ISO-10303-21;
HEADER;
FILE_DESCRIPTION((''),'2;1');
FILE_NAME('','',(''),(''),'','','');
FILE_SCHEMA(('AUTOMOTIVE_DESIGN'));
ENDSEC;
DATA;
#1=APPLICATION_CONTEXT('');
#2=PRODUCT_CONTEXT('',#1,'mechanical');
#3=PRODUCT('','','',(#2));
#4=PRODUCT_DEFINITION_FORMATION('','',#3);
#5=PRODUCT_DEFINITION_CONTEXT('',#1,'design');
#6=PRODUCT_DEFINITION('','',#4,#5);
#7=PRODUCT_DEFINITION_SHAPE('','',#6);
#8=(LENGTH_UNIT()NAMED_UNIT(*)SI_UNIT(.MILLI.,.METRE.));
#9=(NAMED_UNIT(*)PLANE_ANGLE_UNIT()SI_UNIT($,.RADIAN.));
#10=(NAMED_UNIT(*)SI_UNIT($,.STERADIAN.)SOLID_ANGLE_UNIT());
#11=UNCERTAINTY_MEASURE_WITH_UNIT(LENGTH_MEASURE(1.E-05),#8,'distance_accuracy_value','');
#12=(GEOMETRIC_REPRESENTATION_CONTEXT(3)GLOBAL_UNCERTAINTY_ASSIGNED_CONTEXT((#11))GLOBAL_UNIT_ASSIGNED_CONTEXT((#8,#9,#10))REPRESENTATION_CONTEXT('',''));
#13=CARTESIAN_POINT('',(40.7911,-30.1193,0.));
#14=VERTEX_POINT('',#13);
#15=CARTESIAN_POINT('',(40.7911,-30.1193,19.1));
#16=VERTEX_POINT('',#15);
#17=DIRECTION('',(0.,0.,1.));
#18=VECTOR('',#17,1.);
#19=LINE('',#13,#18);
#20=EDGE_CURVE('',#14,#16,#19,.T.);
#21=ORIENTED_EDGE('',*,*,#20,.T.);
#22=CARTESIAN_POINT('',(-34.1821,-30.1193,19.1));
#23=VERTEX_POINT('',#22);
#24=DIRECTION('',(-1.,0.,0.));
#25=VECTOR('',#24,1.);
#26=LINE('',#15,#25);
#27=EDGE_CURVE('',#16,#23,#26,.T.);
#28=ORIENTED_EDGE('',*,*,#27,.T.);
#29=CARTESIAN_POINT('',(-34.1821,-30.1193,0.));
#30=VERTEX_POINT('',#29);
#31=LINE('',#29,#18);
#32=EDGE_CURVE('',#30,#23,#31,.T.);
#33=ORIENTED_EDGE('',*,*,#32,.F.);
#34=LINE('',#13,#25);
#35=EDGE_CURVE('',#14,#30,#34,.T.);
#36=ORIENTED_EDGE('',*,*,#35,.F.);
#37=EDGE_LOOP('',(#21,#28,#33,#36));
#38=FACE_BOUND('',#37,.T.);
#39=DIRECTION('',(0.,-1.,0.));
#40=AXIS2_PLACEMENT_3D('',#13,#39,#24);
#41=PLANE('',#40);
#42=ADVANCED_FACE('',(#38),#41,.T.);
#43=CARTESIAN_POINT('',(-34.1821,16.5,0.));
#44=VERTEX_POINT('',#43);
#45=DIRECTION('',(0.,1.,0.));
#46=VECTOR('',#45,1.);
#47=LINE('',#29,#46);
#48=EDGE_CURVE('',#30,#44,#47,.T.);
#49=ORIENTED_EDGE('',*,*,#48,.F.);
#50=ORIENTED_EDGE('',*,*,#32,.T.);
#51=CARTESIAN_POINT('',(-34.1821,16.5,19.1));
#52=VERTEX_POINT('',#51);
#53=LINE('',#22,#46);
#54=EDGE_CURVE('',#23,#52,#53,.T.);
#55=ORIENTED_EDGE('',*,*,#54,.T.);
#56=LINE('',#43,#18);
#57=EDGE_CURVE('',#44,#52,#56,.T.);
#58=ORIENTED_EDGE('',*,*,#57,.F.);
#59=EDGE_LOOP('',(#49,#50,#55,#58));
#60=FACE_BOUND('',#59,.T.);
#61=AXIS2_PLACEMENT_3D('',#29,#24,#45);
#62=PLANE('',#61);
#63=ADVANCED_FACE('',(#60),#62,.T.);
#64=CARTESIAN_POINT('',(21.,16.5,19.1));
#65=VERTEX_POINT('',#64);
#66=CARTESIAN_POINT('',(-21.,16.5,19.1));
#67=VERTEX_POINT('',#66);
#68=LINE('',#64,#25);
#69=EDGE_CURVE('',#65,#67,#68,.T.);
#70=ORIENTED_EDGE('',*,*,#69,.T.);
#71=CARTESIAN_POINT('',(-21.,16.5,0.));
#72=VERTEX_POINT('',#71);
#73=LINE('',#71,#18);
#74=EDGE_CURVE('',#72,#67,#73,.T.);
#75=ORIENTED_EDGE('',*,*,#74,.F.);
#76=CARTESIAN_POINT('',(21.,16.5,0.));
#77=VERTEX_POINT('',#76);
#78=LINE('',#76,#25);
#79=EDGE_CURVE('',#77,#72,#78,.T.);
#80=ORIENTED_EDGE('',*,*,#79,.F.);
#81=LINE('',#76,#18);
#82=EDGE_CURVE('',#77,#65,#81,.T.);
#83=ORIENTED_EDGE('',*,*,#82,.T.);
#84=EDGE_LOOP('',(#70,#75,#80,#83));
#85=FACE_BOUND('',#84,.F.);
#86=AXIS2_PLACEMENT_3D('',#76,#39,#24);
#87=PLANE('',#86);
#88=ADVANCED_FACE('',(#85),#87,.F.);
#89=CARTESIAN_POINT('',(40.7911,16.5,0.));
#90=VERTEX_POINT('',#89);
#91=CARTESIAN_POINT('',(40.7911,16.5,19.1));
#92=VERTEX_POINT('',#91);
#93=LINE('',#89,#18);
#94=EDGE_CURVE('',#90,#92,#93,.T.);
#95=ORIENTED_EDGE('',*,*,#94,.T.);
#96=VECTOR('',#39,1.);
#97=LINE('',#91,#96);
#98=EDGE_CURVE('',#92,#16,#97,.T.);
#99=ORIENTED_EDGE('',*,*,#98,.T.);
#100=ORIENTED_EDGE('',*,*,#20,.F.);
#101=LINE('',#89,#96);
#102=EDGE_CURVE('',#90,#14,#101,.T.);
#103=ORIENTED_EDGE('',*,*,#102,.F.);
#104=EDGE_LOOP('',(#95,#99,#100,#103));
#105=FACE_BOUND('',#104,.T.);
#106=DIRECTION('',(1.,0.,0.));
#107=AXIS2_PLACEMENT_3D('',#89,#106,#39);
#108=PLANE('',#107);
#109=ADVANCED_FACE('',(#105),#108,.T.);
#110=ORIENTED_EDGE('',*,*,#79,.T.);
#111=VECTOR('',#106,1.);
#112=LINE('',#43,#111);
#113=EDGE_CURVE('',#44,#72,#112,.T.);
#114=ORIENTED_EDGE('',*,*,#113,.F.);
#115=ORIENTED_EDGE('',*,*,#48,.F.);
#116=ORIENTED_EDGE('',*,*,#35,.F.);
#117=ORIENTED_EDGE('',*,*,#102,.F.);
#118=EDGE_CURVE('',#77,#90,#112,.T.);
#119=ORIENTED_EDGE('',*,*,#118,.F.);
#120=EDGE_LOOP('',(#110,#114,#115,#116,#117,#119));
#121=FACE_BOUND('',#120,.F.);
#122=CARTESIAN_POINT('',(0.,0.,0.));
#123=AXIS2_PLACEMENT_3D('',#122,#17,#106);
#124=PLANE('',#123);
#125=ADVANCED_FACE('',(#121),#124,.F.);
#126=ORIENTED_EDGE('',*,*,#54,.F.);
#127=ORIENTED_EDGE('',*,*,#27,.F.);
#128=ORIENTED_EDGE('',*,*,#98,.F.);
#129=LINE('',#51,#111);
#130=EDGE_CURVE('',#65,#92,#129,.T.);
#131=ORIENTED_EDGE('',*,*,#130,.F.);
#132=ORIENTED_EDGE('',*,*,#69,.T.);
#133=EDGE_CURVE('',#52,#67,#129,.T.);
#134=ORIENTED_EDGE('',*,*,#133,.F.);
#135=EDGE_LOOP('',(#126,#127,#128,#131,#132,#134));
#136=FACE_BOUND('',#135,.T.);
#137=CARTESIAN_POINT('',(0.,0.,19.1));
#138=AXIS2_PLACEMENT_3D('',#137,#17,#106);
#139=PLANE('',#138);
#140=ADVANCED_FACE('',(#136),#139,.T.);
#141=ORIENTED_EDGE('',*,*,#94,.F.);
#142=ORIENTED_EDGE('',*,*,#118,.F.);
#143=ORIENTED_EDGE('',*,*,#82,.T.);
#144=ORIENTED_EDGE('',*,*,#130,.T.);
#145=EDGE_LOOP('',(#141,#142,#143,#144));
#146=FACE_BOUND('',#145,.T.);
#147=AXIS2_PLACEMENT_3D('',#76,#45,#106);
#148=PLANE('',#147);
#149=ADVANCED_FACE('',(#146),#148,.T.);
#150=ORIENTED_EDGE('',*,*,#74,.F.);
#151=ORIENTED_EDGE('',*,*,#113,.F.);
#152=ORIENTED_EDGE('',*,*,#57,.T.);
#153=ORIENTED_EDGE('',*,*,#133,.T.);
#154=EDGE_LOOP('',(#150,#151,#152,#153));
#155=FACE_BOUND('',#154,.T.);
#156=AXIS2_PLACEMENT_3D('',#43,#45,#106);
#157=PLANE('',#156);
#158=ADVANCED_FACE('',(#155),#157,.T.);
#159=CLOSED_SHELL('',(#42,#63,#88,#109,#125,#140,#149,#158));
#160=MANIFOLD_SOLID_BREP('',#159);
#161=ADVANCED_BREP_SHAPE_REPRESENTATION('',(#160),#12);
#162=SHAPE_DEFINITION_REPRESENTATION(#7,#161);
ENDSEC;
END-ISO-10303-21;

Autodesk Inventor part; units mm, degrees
ref_plane "YZ Plane" through (0, 0, 0) normal (1, 0, 0) x (0, 1, 0)
ref_plane "XZ Plane" through (0, 0, 0) normal (0, 1, 0) x (-1, 0, 0)
ref_plane "XY Plane" through (0, 0, 0) normal (0, 0, 1) x (1, 0, 0)
ref_plane "Work Plane1" through (0, 0, 0) normal (0, 0, 1) x (1, 0, 0)
sketch "Sketch1" plane through (0, 0, 0) normal (0, 0, 1) x (1, 0, 0)
  line L0 (-34.1821, 16.5) -> (40.7911, 16.5)
  line L1 (40.7911, 16.5) -> (40.7911, -30.1193)
  line L2 (40.7911, -30.1193) -> (-34.1821, -30.1193)
  line L3 (-34.1821, -30.1193) -> (-34.1821, 16.5)
  line L4 (21, 16.5) -> (-21, 16.5) projected
  point P0 (0, 0)
extrude "Extrusion1" add sketch "Sketch1" along normal blind 19.1
properties part number "Shelf"
